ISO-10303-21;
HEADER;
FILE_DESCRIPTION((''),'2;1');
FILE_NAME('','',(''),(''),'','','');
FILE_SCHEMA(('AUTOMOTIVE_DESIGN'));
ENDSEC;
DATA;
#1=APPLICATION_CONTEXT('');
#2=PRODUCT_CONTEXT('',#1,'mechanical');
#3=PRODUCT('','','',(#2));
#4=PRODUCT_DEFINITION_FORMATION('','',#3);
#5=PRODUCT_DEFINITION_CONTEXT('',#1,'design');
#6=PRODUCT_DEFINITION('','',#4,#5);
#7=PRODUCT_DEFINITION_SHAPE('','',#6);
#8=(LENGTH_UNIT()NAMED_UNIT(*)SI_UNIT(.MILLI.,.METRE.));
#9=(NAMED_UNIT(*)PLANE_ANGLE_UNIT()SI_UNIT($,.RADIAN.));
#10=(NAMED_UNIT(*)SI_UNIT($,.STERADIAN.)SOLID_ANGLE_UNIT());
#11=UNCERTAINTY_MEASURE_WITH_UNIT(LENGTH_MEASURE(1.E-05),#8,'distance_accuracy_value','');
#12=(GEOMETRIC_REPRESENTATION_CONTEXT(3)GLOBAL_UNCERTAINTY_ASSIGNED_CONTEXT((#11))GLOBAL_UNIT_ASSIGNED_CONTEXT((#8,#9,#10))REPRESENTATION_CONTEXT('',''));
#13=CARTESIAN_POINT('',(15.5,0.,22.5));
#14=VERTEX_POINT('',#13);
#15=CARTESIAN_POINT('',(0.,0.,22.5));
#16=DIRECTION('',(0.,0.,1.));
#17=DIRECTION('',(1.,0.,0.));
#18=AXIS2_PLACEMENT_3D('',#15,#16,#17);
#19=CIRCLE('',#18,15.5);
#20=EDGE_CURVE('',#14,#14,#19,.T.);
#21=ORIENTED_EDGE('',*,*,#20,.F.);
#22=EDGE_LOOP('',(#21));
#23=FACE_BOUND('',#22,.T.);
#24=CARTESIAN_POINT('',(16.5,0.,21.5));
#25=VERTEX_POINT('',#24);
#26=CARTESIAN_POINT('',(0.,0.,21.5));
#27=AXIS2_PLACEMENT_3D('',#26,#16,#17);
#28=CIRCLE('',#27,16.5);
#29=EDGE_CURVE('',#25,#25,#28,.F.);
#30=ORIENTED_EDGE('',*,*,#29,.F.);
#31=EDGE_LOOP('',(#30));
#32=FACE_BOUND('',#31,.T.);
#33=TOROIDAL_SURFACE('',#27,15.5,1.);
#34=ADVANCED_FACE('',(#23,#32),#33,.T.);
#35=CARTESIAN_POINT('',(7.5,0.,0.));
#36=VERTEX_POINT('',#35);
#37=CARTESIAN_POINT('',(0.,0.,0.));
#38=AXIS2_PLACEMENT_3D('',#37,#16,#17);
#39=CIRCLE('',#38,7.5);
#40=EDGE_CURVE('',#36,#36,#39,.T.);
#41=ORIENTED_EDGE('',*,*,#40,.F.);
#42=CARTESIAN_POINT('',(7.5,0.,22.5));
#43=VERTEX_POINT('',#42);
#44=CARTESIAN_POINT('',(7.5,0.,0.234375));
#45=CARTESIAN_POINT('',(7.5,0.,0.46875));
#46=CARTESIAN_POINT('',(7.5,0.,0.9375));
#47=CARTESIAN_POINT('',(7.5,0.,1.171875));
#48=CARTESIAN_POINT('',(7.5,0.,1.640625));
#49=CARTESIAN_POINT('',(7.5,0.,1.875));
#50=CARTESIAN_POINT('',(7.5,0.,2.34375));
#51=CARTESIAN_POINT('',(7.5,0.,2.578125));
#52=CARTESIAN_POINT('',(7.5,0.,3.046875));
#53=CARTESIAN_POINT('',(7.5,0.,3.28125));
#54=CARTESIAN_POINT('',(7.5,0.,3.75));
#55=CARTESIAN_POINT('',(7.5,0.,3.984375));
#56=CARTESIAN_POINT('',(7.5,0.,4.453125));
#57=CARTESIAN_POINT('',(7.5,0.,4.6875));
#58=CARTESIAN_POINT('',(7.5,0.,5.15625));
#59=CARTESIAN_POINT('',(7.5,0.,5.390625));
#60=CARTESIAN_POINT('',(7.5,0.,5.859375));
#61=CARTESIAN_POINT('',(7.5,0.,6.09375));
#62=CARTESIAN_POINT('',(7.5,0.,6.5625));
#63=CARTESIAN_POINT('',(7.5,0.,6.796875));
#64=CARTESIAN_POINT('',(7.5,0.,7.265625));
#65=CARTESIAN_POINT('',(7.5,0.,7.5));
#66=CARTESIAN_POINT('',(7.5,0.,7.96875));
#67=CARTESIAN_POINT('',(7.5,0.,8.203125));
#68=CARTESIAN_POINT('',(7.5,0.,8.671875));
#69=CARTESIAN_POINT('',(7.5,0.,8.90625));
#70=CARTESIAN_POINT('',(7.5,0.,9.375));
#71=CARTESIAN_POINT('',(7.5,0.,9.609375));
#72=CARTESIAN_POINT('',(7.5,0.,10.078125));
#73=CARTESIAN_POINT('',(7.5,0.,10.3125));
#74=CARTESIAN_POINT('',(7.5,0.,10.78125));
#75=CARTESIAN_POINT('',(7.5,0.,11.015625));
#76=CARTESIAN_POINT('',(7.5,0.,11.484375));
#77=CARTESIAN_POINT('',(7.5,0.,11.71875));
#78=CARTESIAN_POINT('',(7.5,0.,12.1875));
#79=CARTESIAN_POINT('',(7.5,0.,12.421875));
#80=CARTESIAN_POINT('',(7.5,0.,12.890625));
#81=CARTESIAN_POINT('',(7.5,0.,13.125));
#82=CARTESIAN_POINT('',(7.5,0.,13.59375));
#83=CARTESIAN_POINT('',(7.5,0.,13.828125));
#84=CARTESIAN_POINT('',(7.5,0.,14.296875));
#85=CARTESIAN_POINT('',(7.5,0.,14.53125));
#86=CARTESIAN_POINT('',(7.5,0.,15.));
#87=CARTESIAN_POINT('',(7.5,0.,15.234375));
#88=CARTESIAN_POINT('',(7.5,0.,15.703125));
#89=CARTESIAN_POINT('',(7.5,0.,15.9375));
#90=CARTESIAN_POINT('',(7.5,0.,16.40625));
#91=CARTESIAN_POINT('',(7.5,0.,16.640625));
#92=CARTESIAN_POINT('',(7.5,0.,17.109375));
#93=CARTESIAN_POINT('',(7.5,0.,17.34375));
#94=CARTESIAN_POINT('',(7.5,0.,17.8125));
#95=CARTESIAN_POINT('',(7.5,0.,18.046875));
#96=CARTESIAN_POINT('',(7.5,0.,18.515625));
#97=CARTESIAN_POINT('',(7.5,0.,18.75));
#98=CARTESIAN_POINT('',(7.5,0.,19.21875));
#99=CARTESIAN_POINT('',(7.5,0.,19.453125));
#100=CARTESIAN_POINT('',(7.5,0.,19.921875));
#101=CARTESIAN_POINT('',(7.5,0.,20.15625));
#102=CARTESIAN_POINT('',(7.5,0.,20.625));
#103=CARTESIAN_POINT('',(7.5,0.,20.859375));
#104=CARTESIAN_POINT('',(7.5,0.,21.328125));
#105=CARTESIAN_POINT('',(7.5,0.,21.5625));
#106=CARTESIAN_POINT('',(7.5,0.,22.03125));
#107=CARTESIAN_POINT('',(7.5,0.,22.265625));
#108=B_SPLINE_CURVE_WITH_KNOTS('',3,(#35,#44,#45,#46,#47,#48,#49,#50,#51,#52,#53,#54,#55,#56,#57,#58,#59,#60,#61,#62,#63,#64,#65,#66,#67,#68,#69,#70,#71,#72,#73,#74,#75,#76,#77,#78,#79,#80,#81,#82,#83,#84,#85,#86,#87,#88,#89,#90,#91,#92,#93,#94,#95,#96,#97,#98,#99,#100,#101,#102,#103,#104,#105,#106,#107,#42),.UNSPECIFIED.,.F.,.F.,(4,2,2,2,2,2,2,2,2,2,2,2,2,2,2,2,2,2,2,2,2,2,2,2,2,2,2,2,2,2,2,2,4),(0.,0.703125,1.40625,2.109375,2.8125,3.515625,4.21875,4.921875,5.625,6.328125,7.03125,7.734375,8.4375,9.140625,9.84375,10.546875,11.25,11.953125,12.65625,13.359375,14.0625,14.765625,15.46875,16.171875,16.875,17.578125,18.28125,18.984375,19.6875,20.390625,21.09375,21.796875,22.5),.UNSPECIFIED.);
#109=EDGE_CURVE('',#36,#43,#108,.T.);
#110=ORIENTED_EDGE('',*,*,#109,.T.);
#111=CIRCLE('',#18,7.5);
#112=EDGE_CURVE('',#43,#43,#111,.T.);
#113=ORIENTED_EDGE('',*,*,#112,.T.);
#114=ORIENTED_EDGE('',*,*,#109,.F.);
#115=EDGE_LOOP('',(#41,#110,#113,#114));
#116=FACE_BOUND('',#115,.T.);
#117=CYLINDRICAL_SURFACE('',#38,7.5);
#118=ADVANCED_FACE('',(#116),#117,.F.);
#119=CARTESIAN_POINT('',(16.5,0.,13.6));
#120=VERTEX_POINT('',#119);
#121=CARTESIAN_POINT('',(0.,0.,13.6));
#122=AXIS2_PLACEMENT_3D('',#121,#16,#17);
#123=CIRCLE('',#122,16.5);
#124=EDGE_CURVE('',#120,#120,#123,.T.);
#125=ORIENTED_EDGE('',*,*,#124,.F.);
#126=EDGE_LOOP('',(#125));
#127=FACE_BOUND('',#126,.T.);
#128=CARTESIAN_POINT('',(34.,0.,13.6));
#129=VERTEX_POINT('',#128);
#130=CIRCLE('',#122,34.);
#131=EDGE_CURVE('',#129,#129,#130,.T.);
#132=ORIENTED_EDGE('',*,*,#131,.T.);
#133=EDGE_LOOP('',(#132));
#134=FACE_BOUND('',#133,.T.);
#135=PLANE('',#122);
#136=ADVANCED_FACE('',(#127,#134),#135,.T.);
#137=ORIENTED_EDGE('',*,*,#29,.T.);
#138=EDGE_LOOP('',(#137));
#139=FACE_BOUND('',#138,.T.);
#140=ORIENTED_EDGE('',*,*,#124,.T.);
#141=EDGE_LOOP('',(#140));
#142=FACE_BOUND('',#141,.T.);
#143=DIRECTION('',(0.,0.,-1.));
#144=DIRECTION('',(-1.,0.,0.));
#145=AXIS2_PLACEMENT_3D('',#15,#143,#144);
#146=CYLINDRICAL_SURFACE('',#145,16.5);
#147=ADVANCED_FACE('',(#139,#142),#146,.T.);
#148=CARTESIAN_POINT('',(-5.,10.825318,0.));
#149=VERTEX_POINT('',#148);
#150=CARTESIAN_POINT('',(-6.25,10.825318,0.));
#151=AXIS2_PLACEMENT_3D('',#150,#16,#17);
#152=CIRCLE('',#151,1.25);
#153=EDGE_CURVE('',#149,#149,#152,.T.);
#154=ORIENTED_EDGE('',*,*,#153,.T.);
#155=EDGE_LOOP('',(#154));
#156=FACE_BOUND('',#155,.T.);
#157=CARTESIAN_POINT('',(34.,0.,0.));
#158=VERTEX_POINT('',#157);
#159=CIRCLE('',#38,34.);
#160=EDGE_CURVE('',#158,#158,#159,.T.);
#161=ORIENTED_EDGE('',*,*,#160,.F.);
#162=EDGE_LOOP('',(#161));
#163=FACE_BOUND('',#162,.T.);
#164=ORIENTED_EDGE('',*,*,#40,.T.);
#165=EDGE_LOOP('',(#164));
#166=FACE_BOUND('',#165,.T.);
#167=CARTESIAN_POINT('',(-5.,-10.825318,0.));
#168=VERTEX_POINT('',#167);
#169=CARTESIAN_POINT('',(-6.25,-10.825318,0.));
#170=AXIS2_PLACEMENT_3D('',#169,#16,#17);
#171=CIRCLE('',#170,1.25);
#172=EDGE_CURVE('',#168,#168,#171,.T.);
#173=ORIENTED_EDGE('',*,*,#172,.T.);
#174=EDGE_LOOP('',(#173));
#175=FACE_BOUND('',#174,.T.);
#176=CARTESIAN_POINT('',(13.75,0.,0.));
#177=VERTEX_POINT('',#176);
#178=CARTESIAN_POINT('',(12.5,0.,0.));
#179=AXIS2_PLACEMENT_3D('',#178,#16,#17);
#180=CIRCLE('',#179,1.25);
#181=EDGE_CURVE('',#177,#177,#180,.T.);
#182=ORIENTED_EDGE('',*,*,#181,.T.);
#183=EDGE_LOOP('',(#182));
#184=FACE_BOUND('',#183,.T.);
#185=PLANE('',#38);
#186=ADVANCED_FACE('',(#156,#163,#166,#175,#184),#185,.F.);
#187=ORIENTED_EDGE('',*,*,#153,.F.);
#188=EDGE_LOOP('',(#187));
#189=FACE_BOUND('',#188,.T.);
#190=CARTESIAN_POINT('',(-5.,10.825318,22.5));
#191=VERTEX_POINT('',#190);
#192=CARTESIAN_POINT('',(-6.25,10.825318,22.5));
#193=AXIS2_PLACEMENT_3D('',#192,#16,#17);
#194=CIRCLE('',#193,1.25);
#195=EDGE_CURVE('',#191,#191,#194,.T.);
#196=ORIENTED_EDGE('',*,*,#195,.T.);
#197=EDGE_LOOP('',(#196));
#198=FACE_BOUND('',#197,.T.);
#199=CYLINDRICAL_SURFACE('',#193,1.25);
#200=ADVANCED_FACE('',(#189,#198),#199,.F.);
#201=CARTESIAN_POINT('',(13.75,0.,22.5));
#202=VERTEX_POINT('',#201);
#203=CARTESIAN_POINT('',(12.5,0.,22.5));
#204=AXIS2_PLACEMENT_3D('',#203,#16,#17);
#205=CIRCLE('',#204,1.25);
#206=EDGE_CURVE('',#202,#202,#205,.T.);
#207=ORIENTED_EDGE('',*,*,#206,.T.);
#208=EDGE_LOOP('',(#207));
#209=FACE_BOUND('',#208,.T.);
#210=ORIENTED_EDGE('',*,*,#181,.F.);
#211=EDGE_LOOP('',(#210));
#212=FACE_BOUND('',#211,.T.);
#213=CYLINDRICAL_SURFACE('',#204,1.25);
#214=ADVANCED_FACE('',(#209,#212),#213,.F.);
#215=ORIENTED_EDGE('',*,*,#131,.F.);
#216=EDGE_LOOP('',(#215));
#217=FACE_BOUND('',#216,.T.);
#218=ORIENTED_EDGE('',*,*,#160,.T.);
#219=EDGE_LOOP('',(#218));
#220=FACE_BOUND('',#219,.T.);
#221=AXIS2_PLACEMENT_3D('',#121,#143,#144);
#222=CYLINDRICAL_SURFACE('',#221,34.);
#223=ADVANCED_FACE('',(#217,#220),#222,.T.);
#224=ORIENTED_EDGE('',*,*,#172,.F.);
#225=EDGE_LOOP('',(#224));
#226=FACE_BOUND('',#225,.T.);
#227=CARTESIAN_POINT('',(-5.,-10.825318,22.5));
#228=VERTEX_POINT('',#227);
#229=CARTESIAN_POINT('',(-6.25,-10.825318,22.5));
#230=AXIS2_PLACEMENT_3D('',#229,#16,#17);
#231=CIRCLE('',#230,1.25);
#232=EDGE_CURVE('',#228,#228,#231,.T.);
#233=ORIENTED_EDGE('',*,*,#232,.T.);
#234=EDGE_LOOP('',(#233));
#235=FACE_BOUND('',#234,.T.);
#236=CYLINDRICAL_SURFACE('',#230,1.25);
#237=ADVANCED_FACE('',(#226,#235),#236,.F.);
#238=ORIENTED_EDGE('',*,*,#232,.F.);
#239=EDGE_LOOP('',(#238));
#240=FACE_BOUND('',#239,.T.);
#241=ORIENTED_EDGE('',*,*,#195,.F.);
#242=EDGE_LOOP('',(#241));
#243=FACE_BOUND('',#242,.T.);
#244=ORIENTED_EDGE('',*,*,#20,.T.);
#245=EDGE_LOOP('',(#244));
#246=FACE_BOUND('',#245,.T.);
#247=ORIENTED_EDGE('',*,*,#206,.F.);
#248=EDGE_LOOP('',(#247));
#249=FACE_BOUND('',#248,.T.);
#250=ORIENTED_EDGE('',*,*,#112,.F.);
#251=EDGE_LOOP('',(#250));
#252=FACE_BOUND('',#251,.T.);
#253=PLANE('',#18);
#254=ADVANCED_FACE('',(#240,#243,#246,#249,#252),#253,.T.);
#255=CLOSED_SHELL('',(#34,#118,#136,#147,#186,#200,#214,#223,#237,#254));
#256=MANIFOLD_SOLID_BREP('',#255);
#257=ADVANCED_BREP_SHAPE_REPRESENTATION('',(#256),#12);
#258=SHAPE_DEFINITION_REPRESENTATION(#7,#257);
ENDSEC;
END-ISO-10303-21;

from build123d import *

# Parameters (mm, degrees)
SKETCH_1_R          = 34
EXTRUDE_1_DEPTH     = 13.6
SKETCH_2_R          = 16.5
EXTRUDE_2_DEPTH     = 8.9
FILLET_1_R          = 1
SKETCH_3_R          = 4
CUT_EXTRUDE_1_DEPTH = 54.087192429
SKETCH_4_R          = 7.5
CUT_EXTRUDE_2_DEPTH = 54.087192429
M3X0_52_D           = 2.5


with BuildPart() as part:
    # Эскиз1 → Бобышка-Вытянуть1 (new body)
    with BuildSketch(Plane.XY):
        Circle(SKETCH_1_R)
    extrude(amount=EXTRUDE_1_DEPTH)

    # Эскиз2 → Бобышка-Вытянуть2 (add)
    with BuildSketch(Plane.XY.offset(13.6)):
        Circle(SKETCH_2_R)
    extrude(amount=EXTRUDE_2_DEPTH)

    # Скругление1
    fillet_1_edges = [part.edges().sort_by_distance(p)[0] for p in [
        (-16.5, 0, 22.5),
    ]]
    fillet(fillet_1_edges, radius=FILLET_1_R)

    # Эскиз3 → Вырез-Вытянуть1 (cut, through all)
    with BuildSketch(Plane(origin=(0, 0, 0), x_dir=(-1, 0, 0), z_dir=(0, 0, -1))):
        Circle(SKETCH_3_R)
    extrude(amount=-CUT_EXTRUDE_1_DEPTH, mode=Mode.SUBTRACT)

    # Эскиз4 → Вырез-Вытянуть2 (cut, through all)
    with BuildSketch(Plane.XY.offset(22.5)):
        Circle(SKETCH_4_R)
    extrude(amount=-CUT_EXTRUDE_2_DEPTH, mode=Mode.SUBTRACT)

    # Отверстие обработанное метчиком M3x0.52 (through all)
    with Locations(Plane.XY.offset(22.5)):
        with Locations((-6.25, 10.825317547), (-6.25, -10.825317547), (12.5, 0)):
            Hole(M3X0_52_D / 2)


solid = part.part
